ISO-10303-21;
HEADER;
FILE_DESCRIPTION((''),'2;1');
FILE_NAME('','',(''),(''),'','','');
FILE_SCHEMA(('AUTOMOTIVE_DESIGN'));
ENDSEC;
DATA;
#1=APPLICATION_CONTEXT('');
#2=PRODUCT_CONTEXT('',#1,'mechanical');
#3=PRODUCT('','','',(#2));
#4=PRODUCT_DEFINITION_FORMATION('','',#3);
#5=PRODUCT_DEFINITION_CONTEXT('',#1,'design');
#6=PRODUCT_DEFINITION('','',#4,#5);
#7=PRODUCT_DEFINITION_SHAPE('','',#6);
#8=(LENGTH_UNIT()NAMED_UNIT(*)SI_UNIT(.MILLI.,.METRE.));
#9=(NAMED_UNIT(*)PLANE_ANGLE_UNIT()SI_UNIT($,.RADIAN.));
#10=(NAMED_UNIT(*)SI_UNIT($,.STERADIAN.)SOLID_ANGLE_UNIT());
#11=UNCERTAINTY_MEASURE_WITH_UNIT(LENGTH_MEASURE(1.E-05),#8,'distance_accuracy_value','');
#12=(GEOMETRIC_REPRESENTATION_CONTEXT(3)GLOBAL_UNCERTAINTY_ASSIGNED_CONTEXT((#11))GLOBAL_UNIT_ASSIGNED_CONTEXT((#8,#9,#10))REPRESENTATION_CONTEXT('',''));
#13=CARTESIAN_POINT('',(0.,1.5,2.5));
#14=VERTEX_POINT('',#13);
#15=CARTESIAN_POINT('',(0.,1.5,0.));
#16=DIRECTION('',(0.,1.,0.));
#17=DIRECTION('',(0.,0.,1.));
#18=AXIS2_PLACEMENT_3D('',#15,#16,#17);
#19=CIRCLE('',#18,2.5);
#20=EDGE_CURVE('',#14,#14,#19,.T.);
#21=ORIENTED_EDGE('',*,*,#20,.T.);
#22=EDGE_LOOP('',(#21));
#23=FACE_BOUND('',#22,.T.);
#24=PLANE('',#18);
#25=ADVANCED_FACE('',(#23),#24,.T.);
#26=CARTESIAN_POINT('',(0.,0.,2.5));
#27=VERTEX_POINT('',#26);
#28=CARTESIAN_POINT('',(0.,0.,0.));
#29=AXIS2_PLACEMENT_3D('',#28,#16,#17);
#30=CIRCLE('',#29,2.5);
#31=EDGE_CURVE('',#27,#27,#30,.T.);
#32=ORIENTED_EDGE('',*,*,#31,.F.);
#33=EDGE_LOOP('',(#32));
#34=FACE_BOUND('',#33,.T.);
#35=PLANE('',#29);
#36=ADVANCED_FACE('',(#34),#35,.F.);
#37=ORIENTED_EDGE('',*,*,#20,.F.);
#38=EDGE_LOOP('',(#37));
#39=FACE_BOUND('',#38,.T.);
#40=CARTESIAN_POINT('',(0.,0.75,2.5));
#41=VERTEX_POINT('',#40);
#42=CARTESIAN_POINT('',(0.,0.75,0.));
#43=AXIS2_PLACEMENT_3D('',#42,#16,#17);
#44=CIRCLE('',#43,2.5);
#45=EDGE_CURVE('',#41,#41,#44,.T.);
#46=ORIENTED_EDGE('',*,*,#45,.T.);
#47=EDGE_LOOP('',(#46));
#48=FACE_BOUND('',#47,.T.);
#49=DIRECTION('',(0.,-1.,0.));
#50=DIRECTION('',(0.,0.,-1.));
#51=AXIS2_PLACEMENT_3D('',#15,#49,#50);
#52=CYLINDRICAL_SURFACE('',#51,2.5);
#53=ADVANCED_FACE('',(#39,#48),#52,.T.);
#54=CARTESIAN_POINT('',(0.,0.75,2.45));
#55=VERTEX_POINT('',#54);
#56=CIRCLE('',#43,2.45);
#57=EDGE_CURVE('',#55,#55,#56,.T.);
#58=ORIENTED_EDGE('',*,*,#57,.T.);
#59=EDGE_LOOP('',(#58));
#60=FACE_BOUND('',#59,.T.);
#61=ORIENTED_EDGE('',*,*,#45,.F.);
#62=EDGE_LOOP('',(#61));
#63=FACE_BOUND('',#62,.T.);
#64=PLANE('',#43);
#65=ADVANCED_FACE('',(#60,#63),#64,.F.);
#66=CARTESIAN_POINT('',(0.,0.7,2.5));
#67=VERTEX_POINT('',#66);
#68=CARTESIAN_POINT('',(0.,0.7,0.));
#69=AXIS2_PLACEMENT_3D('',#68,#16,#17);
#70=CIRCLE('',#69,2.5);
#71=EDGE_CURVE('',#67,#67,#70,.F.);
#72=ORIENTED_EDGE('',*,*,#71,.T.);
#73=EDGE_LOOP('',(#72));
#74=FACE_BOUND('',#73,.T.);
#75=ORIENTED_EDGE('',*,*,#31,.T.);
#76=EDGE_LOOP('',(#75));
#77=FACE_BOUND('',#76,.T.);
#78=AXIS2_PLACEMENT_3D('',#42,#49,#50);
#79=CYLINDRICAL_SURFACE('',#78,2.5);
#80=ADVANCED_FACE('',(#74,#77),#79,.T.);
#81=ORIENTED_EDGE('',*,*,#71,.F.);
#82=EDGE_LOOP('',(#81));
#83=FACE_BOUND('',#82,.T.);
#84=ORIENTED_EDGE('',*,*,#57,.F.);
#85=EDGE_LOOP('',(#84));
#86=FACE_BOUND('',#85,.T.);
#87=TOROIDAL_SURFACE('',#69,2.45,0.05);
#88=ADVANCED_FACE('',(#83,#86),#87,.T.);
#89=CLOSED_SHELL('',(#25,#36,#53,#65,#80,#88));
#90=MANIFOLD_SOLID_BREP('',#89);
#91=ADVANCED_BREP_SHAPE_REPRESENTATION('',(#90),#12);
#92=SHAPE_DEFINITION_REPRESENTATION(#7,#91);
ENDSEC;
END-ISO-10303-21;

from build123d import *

# Parameters (mm, degrees)
SKETCH1_R           = 2.5
BOSS_EXTRUDE1_DEPTH = 0.75
FILLET1_R           = 0.05
SKETCH2_R           = 2.5
BOSS_EXTRUDE2_DEPTH = 0.75


with BuildPart() as part:
    # Sketch1 → Boss-Extrude1 (new body)
    with BuildSketch(Plane(origin=(0, 0, 0), x_dir=(1, 0, 0), z_dir=(0, 1, 0))):
        Circle(SKETCH1_R)
    extrude(amount=BOSS_EXTRUDE1_DEPTH)

    # Fillet1
    fillet1_edges = [part.edges().sort_by_distance(p)[0] for p in [
        (-2.5, 0.75, 0),
    ]]
    fillet(fillet1_edges, radius=FILLET1_R)

    # Sketch2 → Boss-Extrude2 (add)
    with BuildSketch(Plane(origin=(0, 0.75, 0), x_dir=(1, 0, 0), z_dir=(0, 1, 0))):
        Circle(SKETCH2_R)
    extrude(amount=BOSS_EXTRUDE2_DEPTH)


solid = part.part
